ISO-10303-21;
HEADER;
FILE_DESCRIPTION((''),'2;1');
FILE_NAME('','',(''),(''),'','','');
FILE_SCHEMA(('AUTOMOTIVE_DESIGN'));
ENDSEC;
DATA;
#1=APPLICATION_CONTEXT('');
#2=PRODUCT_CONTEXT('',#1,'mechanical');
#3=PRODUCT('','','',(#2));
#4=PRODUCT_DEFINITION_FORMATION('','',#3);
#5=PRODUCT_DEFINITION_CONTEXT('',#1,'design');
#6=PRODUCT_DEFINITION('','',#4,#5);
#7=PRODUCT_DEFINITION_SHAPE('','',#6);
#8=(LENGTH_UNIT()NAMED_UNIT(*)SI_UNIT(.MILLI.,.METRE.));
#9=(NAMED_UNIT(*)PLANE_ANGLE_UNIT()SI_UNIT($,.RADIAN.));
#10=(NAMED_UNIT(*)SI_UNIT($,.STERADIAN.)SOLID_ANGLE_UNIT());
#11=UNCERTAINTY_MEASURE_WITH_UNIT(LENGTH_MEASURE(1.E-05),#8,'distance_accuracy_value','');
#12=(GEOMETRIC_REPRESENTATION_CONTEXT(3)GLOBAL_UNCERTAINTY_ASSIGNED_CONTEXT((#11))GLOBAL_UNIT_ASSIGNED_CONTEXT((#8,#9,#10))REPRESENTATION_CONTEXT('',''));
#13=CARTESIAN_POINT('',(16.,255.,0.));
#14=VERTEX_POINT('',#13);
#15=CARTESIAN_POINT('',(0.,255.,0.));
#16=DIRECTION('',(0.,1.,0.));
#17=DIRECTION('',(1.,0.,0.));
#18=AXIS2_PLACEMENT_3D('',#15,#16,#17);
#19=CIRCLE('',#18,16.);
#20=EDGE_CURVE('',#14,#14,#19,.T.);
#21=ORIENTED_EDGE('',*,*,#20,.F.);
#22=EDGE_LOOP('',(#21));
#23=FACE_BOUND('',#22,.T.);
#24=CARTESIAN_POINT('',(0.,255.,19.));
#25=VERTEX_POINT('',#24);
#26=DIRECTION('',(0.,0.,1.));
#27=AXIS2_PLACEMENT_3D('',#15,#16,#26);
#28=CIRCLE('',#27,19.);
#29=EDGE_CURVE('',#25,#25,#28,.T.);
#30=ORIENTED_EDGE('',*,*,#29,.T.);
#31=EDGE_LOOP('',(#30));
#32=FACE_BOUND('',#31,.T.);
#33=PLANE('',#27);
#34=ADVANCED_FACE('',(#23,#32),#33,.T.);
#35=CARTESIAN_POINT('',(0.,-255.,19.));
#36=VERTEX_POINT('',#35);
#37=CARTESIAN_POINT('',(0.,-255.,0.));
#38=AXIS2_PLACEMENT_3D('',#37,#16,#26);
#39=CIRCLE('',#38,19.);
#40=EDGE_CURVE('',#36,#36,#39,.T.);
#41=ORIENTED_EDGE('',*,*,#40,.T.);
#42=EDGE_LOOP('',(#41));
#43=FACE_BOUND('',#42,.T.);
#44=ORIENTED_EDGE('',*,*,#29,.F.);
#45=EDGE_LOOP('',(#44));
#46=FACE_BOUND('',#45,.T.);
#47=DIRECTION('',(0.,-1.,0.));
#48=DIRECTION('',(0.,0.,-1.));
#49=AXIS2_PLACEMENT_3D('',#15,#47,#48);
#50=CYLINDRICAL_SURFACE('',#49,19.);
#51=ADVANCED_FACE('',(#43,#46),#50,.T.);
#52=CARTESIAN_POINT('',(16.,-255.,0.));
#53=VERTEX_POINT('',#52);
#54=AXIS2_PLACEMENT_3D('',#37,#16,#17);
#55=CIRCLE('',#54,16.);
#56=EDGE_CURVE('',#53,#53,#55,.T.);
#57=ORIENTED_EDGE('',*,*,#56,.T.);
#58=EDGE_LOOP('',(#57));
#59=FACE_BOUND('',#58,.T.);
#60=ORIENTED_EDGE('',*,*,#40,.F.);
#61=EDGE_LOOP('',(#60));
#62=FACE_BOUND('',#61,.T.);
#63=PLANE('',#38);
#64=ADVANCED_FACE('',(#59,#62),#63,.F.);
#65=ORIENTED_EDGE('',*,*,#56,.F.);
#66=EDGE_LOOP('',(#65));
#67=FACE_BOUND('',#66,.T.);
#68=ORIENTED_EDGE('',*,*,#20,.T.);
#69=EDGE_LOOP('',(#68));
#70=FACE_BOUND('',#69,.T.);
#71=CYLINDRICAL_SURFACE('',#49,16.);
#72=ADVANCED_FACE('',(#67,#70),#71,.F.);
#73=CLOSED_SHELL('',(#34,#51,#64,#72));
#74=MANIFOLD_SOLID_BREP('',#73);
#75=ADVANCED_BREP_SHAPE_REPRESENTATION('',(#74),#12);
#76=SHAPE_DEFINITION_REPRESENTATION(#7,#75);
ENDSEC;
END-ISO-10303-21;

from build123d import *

# Parameters (mm, degrees)
SKETCH1_R           = 19
SKETCH1_R_2         = 16
EXTRUDE_THIN1_DEPTH = 255


with BuildPart() as part:
    # Sketch1 → Extrude-Thin1 (new, symmetric)
    with BuildSketch(Plane(origin=(0, 0, 0), x_dir=(1, 0, 0), z_dir=(0, 1, 0))):
        Circle(SKETCH1_R)
        Circle(SKETCH1_R_2, mode=Mode.SUBTRACT)
    extrude(amount=EXTRUDE_THIN1_DEPTH, both=True)


solid = part.part
